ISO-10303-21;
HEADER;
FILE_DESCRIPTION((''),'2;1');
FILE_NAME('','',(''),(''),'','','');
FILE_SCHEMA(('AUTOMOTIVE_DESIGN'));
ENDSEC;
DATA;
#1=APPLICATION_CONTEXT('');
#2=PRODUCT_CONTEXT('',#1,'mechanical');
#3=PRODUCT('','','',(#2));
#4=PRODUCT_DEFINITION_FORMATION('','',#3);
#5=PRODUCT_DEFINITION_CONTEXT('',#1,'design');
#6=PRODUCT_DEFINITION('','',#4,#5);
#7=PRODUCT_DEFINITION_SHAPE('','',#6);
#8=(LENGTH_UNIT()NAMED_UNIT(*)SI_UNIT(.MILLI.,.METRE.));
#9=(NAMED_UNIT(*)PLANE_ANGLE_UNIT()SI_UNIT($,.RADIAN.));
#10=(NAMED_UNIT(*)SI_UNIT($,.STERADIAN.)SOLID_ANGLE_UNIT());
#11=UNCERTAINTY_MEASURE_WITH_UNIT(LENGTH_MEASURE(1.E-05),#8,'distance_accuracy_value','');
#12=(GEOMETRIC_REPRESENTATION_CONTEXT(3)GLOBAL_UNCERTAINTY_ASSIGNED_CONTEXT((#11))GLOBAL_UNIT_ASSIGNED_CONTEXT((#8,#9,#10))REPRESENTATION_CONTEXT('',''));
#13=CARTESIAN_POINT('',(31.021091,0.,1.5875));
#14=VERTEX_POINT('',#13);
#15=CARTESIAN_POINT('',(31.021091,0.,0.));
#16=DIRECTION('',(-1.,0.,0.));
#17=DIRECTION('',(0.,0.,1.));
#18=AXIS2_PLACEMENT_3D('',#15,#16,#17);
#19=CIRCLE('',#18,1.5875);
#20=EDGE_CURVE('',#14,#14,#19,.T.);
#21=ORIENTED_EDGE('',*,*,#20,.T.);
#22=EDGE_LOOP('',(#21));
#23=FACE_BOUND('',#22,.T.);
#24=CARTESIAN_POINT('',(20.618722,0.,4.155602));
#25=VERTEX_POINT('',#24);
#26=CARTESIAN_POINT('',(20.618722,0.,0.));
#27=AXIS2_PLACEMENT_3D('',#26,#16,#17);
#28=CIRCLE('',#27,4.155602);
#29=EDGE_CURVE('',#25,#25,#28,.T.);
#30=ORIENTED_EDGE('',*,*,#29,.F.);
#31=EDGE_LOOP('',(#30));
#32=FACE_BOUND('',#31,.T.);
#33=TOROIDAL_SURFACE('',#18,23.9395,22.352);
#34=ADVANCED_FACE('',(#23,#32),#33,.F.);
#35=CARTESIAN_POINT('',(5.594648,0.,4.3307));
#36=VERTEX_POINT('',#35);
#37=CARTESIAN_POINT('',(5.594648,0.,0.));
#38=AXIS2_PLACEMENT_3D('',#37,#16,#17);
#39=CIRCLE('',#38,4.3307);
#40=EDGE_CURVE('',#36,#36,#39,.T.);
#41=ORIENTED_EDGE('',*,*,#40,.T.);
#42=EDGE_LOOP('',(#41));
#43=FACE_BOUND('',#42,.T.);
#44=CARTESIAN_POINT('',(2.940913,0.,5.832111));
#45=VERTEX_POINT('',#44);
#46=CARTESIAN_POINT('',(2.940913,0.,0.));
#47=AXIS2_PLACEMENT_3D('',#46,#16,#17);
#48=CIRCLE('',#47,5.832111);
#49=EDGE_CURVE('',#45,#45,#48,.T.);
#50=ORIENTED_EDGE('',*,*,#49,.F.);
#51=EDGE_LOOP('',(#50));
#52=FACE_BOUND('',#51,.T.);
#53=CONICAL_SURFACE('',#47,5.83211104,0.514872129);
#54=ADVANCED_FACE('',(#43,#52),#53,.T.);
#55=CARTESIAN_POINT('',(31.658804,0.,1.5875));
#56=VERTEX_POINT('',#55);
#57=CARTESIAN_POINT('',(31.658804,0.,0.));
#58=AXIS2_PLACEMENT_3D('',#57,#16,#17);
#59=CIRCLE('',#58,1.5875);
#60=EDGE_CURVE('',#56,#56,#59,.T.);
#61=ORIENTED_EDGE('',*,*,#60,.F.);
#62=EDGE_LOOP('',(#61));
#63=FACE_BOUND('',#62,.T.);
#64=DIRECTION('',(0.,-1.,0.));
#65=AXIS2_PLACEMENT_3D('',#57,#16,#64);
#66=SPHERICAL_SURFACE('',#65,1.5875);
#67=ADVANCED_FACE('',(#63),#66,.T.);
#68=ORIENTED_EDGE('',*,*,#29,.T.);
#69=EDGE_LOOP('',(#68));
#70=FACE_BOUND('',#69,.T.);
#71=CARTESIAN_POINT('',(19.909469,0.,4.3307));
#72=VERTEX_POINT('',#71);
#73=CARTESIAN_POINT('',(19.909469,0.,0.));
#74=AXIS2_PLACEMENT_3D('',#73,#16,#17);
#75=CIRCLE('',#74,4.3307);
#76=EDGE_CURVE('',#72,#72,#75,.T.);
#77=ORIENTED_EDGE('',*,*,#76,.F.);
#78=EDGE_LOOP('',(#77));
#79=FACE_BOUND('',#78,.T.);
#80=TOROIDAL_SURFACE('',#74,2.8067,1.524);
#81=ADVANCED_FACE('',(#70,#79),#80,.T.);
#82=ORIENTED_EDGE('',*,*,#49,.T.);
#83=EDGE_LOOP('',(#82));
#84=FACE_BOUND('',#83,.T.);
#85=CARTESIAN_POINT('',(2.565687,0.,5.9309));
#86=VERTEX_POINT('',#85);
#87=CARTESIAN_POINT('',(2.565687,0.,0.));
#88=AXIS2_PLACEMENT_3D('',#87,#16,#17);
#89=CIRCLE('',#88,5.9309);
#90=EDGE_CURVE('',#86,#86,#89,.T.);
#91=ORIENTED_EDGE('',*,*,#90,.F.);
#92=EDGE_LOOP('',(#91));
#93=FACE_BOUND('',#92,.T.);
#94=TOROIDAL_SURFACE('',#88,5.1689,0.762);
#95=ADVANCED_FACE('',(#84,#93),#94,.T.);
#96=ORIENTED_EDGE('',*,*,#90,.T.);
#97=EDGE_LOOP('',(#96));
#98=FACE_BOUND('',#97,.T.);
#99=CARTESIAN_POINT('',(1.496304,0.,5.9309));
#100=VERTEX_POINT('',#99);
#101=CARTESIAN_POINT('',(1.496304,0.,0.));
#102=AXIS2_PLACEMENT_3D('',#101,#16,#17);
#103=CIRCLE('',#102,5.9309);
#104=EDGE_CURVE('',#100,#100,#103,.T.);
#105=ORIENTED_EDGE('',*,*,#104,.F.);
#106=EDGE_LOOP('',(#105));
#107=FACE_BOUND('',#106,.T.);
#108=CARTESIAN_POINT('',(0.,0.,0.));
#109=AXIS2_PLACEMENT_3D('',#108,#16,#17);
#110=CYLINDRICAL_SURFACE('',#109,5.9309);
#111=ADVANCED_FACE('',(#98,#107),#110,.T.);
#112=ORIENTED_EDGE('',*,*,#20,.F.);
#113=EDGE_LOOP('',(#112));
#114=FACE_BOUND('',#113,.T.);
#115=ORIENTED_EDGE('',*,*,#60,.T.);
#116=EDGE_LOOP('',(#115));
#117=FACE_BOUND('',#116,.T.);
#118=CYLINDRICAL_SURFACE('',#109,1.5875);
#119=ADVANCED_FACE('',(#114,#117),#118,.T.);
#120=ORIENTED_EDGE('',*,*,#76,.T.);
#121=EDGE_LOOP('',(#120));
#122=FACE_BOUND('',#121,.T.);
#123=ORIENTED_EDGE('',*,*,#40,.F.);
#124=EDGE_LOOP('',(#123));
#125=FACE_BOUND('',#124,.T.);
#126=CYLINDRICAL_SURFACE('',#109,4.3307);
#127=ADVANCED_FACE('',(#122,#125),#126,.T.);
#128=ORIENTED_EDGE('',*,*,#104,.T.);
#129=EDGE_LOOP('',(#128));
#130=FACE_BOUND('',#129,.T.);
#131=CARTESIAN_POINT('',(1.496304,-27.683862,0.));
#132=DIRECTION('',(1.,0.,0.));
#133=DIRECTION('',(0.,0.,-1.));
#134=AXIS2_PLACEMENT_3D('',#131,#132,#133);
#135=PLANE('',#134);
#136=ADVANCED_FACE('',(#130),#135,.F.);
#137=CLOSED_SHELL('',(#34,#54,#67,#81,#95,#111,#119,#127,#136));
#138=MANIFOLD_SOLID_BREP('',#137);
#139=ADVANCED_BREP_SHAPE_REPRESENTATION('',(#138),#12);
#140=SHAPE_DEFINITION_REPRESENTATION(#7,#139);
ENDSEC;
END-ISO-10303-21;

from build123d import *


with BuildPart() as part:
    # Sketch1 → Revolve2 (revolve)
    with BuildSketch(Plane.XY, mode=Mode.PRIVATE) as revolve2_sk:
        with BuildLine():
            Line((1.496304491, 5.9309), (1.496304491, 0))
            Line((1.496304491, 0), (31.087304489, 0))
            Line((31.087304489, 0), (31.658804491, 0))
            Line((31.658804491, 0), (32.230304494, 0))
            Line((32.230304494, 0), (33.246304491, 0))
            ThreePointArc((33.246304491, 0), (32.781336507, 1.122532015), (31.658804491, 1.5875))
            Line((31.658804491, 1.5875), (31.021091308, 1.5875))
            ThreePointArc((31.021091308, 1.5875), (25.663749675, 2.239020867), (20.618721916, 4.155602128))
            ThreePointArc((20.618721916, 4.155602128), (20.27474275, 4.286278123), (19.909469457, 4.3307))
            Line((19.909469457, 4.3307), (5.594648416, 4.3307))
            Line((5.594648416, 4.3307), (2.940913387, 5.83211104))
            ThreePointArc((2.940913387, 5.83211104), (2.759693318, 5.905789005), (2.565686634, 5.9309))
            Line((2.565686634, 5.9309), (1.496304491, 5.9309))
        make_face()
    revolve(revolve2_sk.sketch.rotate(Axis((0, 0, 0), (1, 0, 0)), 90), axis=Axis((0, 0, 0), (1, 0, 0)))  # turned: the seam where the file's is


solid = part.part
